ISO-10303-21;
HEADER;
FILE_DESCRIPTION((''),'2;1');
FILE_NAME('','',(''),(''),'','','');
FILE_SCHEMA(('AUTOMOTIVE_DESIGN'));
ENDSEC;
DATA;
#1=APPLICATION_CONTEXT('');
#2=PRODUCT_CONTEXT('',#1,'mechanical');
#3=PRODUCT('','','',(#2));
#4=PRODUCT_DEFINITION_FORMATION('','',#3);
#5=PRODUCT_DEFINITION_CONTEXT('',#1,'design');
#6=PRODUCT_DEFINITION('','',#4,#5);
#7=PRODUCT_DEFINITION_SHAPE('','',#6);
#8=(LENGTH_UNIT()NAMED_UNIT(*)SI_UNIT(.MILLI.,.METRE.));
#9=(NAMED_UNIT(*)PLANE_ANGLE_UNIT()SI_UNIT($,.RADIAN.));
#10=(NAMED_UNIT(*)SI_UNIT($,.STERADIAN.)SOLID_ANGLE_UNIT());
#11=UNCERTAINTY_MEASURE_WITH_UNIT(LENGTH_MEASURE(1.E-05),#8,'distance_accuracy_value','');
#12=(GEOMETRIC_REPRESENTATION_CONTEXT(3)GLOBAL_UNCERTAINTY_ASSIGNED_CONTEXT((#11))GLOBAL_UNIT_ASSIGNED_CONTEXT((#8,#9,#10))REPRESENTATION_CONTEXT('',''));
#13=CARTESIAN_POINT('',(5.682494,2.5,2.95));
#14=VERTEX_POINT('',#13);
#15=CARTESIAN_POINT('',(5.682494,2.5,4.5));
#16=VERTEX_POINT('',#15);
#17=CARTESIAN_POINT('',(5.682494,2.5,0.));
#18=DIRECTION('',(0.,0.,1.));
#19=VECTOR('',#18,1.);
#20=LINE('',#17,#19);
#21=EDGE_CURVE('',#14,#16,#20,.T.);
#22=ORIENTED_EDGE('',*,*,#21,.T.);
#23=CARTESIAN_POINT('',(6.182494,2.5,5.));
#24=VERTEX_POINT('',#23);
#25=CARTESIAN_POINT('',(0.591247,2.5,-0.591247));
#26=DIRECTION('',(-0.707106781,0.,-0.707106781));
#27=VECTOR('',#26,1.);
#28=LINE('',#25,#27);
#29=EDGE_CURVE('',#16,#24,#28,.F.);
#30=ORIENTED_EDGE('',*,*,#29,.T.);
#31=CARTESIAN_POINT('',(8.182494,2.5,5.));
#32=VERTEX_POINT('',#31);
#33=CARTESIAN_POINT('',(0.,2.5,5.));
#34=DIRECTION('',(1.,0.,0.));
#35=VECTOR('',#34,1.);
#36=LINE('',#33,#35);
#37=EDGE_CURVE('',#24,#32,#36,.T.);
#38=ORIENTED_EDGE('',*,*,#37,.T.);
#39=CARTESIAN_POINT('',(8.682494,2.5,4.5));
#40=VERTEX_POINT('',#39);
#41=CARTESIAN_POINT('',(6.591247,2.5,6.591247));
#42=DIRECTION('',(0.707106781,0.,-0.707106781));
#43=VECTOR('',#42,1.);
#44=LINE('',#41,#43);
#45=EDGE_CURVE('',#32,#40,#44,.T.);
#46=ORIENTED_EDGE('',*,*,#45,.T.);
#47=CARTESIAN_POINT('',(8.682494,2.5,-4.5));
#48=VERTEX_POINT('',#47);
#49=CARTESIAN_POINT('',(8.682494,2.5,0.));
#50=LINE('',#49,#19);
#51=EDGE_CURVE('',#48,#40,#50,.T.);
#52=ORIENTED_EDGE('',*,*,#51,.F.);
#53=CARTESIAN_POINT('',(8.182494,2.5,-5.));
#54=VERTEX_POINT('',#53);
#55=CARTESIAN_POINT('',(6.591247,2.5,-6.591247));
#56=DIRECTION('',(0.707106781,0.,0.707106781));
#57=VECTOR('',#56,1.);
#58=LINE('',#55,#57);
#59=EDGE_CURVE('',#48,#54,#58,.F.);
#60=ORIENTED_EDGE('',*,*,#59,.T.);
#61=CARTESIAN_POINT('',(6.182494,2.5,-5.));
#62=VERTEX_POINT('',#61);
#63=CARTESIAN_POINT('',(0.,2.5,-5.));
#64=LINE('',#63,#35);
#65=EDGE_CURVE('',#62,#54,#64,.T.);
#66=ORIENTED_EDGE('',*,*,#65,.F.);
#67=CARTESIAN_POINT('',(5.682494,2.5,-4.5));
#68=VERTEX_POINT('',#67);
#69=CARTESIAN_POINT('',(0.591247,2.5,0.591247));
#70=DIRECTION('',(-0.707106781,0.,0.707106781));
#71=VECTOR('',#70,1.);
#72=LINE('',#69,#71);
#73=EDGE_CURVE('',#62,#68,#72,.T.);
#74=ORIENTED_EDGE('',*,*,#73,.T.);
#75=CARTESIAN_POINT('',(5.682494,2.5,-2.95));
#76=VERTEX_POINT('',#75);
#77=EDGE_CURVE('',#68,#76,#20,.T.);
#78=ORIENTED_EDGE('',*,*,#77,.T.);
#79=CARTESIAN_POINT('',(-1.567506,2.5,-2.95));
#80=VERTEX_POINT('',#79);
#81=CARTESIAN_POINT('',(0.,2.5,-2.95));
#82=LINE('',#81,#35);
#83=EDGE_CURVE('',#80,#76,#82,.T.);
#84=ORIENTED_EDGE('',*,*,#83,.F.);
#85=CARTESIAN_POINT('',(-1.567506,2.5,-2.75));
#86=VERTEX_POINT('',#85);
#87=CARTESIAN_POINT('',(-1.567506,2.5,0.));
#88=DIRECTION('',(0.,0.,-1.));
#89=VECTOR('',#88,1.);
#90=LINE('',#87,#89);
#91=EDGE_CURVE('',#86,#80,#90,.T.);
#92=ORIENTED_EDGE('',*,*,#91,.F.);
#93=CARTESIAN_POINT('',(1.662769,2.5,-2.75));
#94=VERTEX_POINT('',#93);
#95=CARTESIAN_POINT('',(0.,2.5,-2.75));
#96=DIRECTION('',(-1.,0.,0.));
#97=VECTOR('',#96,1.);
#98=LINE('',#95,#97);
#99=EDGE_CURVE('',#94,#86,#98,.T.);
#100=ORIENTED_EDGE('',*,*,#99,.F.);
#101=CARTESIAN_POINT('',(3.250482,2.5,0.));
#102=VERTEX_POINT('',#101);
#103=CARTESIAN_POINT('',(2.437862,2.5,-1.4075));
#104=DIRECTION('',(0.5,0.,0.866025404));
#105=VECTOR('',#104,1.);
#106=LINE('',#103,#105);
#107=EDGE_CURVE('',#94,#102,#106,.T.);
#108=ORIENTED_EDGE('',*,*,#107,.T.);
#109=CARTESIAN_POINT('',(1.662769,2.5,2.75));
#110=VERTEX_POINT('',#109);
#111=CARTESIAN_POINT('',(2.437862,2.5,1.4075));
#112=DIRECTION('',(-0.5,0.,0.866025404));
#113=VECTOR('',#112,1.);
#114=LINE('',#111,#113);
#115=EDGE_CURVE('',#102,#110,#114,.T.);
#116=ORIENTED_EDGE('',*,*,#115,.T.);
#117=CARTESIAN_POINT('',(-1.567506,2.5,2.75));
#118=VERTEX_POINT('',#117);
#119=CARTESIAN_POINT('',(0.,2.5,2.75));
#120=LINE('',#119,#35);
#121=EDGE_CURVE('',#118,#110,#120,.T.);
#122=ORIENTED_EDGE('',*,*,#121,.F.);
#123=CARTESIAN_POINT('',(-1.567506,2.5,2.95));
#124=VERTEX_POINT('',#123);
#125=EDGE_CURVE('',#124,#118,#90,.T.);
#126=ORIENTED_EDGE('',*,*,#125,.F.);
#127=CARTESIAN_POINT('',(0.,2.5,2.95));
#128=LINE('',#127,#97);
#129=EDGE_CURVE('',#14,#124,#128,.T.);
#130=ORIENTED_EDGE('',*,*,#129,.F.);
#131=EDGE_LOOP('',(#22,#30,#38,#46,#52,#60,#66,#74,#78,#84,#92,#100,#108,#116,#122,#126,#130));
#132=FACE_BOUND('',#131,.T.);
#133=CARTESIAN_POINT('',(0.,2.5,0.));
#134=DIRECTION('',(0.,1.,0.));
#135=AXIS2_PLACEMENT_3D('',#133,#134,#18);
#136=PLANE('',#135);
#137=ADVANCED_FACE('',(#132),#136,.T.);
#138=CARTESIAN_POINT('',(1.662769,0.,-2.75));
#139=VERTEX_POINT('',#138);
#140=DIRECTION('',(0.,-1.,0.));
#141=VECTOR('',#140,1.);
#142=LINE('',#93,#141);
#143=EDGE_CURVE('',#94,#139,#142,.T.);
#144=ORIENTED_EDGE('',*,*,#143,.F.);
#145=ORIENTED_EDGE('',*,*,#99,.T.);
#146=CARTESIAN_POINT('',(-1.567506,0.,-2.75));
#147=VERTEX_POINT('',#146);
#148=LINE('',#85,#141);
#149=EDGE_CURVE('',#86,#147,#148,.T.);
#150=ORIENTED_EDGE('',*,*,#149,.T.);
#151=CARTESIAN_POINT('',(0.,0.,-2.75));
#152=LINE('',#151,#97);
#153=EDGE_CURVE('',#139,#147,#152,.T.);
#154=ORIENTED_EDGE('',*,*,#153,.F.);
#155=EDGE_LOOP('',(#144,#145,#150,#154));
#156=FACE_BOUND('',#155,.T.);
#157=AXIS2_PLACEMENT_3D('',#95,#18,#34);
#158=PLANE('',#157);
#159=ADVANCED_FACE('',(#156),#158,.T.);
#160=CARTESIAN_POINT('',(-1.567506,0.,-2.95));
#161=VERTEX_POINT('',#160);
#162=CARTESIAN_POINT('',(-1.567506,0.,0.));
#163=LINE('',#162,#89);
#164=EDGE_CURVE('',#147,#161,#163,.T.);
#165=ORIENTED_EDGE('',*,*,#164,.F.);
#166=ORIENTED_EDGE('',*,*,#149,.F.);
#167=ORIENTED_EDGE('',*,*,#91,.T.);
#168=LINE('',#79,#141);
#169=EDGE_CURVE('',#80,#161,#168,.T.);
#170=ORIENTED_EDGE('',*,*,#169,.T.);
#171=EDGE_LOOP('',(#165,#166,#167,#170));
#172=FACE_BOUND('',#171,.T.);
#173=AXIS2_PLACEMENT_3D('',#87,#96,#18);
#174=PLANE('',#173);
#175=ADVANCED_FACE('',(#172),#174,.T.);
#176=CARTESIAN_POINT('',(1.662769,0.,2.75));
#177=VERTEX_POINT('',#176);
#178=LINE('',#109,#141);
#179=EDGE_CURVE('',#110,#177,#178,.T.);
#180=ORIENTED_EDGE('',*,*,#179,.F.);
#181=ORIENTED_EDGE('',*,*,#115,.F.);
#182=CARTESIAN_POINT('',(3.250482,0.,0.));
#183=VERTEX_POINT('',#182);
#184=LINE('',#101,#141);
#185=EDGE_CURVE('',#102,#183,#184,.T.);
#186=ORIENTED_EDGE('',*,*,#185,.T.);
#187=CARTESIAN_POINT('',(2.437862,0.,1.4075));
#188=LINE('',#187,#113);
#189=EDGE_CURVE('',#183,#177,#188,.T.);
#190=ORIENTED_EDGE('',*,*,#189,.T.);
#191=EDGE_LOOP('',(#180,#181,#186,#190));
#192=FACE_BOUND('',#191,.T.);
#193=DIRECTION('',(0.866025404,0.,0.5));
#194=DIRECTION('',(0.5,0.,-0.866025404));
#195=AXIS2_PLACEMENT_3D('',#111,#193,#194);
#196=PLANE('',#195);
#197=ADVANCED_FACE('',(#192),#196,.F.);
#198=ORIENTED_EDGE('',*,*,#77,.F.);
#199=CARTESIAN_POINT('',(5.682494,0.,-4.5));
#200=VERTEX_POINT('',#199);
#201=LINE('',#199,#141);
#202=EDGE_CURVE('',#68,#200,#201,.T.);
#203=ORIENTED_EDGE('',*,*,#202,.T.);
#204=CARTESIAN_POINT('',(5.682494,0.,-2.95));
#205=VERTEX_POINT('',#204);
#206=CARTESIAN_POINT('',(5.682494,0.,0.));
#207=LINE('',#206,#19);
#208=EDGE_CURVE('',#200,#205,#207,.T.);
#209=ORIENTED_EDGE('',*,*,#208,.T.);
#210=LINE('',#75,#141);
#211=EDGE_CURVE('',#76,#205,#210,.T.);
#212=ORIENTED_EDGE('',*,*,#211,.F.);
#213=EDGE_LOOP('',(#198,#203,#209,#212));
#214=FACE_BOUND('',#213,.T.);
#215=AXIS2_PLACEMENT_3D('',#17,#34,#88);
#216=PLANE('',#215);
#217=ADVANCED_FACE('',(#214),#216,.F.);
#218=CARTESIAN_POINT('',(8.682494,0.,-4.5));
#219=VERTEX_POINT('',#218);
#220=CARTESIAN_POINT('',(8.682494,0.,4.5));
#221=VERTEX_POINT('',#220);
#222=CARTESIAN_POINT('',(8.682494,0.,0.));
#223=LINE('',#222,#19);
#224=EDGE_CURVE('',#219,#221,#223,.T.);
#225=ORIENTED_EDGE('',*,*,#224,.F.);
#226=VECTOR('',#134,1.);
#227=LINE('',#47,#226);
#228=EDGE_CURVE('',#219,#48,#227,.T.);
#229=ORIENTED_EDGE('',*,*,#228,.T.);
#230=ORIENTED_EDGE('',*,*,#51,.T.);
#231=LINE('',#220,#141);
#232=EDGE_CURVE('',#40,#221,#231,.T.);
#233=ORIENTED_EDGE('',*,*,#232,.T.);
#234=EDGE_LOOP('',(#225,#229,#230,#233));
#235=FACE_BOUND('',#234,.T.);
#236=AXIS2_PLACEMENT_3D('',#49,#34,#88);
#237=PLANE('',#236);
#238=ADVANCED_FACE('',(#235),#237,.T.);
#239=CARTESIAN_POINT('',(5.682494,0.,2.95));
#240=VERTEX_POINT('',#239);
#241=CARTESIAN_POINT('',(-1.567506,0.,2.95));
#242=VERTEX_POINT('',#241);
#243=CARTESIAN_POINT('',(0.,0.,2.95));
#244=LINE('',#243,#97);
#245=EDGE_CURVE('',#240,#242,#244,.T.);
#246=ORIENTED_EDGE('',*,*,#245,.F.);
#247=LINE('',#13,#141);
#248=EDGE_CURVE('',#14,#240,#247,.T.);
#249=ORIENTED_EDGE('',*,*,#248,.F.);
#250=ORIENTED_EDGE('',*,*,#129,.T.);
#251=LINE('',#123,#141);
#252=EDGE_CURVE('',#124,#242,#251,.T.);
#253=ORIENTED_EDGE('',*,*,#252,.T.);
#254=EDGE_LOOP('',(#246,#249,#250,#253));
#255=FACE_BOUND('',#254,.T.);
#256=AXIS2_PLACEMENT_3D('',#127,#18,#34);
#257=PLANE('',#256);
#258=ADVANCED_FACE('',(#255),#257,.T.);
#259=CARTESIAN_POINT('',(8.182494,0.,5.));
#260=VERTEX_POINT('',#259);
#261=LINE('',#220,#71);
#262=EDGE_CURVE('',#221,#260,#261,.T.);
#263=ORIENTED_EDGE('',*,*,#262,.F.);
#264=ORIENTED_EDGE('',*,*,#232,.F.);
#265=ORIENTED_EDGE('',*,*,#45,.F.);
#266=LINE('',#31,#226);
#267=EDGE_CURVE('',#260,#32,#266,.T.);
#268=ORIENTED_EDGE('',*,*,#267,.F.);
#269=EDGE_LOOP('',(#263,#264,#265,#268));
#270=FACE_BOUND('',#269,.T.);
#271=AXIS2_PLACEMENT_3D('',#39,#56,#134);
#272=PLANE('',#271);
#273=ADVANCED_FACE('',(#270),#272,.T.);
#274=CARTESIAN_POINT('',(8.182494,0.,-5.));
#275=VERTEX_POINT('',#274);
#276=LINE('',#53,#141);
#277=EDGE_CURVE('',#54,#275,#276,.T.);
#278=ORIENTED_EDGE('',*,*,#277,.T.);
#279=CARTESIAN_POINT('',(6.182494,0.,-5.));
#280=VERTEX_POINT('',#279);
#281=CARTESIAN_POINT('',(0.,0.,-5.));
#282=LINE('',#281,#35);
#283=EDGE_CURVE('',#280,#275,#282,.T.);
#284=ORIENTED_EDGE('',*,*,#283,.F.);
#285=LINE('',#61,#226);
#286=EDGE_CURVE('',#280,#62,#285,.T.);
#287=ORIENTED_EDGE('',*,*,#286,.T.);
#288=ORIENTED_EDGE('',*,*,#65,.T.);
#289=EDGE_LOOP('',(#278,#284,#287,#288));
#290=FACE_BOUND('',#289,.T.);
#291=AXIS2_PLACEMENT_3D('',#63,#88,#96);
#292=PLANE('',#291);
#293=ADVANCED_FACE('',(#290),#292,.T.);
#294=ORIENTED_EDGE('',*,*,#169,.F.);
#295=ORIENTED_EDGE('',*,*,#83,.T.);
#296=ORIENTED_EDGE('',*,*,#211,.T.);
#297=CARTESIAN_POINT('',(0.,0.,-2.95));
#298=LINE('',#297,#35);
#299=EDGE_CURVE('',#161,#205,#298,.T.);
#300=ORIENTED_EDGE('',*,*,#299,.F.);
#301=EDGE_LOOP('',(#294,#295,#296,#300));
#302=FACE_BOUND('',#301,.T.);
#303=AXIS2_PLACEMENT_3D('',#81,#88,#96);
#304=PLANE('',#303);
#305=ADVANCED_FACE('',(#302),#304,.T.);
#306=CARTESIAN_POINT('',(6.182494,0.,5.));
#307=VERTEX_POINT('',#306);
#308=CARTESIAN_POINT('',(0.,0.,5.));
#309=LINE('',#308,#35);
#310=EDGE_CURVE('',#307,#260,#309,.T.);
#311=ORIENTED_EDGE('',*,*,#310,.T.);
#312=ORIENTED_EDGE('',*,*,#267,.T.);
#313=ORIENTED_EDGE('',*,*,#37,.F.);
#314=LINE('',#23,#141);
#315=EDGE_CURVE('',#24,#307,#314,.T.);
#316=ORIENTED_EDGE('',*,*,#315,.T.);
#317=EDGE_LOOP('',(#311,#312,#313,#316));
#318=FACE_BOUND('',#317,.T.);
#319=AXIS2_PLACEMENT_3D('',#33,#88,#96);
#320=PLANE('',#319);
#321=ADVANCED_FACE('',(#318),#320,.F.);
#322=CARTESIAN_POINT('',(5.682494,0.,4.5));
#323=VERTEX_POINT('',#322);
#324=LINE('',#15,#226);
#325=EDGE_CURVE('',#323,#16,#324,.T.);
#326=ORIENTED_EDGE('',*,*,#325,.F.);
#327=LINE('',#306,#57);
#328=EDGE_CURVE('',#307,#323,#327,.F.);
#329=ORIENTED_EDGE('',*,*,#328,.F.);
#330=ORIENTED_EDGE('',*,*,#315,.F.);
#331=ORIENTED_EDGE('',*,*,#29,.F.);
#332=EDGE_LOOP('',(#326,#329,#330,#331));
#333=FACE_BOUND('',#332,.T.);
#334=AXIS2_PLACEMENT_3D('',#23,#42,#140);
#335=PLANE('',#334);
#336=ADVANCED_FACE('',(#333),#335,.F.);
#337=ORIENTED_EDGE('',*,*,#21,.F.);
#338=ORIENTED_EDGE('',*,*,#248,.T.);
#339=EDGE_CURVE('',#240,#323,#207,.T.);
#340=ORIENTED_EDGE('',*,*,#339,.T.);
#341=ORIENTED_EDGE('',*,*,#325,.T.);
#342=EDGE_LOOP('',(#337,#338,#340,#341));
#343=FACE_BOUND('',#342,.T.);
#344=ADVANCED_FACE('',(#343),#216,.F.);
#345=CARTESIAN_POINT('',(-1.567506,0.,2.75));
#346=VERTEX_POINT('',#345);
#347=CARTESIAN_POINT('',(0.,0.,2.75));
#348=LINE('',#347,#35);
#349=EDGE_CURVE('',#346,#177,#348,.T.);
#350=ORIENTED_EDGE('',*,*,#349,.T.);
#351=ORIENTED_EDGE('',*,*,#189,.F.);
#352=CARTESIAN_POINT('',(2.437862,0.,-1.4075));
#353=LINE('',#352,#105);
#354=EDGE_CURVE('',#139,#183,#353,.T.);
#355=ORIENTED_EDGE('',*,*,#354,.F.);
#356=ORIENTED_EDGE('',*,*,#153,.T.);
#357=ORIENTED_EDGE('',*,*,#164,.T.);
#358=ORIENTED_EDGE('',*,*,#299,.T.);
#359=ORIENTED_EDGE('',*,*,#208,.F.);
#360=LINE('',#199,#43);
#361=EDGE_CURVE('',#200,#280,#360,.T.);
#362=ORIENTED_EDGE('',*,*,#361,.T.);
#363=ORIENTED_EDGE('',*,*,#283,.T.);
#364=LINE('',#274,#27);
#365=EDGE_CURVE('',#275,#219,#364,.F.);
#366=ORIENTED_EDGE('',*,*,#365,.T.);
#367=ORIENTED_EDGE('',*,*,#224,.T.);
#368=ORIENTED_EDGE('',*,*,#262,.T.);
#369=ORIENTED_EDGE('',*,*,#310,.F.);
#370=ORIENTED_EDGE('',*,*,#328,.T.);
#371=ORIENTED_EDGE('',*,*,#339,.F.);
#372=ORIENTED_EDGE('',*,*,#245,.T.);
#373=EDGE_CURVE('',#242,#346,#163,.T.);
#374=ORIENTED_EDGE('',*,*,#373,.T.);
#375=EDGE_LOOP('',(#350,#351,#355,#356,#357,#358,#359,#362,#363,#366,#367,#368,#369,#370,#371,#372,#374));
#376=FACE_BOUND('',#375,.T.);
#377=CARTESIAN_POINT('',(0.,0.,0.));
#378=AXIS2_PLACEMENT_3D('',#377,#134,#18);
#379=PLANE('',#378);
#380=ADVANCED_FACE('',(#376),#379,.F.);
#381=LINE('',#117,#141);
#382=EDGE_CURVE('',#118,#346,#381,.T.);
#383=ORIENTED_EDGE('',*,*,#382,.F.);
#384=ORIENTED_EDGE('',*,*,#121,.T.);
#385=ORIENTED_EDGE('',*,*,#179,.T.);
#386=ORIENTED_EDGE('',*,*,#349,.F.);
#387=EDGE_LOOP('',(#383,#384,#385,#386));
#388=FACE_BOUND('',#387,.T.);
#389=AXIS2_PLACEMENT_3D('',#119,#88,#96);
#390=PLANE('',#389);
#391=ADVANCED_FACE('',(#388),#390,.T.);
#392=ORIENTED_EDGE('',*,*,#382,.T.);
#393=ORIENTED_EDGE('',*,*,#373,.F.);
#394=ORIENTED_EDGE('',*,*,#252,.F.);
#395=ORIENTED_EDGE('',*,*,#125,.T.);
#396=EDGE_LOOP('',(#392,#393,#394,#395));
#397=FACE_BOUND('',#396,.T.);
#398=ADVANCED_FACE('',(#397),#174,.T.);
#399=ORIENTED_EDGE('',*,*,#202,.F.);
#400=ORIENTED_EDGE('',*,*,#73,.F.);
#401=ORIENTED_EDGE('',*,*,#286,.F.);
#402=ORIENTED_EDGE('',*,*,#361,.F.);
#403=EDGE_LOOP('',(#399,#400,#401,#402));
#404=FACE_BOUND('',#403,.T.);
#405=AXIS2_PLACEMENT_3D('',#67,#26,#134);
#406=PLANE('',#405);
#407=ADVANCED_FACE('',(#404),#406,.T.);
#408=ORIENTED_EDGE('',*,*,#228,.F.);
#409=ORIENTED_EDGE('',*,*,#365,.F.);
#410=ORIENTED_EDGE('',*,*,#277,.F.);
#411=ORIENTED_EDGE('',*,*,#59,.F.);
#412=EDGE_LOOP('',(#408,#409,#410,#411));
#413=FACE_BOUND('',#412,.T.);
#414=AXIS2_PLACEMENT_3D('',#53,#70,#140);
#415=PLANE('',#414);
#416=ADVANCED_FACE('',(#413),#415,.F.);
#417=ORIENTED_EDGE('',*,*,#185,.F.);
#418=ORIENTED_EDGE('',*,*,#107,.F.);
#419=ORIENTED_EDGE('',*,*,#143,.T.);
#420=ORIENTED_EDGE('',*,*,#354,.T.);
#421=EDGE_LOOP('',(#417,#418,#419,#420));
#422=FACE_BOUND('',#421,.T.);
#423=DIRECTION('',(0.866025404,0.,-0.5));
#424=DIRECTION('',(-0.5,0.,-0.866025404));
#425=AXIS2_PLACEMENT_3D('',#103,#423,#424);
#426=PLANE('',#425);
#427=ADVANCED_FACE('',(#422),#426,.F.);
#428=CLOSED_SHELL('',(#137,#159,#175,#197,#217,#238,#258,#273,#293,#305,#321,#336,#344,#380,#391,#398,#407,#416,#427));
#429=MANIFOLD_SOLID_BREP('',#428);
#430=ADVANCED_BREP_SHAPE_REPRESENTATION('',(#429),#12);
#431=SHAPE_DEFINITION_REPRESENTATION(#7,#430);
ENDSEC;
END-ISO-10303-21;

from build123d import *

# Parameters (mm, degrees)
BOSS_EXTRUDE1_DEPTH = 2.5
CHAMFER1_SIZE       = 0.5


with BuildPart() as part:
    # Sketch1 → Boss-Extrude1 (new body)
    with BuildSketch(Plane(origin=(0, 0, 0), x_dir=(1, 0, 0), z_dir=(0, 1, 0))):
        Polygon((1.662768775, 2.75), (3.250482016, 0), (1.662768775, -2.75), (-1.567505981, -2.75), (-1.567505981, -2.95), (5.682494019, -2.95), (5.682494019, 2.95), (-1.567505981, 2.95), (-1.567505981, 2.75), align=None)
        Polygon((5.682494019, 5), (5.682494019, 2.95), (5.682494019, -2.95), (5.682494019, -5), (8.682494019, -5), (8.682494019, 5), align=None)
    extrude(amount=BOSS_EXTRUDE1_DEPTH)

    # Chamfer1
    chamfer1_edges = [part.edges().sort_by_distance(p)[0] for p in [
        (5.682494019, 1.25, -5),
        (8.682494019, 1.25, -5),
        (8.682494019, 1.25, 5),
        (5.682494019, 1.25, 5),
    ]]
    chamfer(chamfer1_edges, length=CHAMFER1_SIZE)


solid = part.part
